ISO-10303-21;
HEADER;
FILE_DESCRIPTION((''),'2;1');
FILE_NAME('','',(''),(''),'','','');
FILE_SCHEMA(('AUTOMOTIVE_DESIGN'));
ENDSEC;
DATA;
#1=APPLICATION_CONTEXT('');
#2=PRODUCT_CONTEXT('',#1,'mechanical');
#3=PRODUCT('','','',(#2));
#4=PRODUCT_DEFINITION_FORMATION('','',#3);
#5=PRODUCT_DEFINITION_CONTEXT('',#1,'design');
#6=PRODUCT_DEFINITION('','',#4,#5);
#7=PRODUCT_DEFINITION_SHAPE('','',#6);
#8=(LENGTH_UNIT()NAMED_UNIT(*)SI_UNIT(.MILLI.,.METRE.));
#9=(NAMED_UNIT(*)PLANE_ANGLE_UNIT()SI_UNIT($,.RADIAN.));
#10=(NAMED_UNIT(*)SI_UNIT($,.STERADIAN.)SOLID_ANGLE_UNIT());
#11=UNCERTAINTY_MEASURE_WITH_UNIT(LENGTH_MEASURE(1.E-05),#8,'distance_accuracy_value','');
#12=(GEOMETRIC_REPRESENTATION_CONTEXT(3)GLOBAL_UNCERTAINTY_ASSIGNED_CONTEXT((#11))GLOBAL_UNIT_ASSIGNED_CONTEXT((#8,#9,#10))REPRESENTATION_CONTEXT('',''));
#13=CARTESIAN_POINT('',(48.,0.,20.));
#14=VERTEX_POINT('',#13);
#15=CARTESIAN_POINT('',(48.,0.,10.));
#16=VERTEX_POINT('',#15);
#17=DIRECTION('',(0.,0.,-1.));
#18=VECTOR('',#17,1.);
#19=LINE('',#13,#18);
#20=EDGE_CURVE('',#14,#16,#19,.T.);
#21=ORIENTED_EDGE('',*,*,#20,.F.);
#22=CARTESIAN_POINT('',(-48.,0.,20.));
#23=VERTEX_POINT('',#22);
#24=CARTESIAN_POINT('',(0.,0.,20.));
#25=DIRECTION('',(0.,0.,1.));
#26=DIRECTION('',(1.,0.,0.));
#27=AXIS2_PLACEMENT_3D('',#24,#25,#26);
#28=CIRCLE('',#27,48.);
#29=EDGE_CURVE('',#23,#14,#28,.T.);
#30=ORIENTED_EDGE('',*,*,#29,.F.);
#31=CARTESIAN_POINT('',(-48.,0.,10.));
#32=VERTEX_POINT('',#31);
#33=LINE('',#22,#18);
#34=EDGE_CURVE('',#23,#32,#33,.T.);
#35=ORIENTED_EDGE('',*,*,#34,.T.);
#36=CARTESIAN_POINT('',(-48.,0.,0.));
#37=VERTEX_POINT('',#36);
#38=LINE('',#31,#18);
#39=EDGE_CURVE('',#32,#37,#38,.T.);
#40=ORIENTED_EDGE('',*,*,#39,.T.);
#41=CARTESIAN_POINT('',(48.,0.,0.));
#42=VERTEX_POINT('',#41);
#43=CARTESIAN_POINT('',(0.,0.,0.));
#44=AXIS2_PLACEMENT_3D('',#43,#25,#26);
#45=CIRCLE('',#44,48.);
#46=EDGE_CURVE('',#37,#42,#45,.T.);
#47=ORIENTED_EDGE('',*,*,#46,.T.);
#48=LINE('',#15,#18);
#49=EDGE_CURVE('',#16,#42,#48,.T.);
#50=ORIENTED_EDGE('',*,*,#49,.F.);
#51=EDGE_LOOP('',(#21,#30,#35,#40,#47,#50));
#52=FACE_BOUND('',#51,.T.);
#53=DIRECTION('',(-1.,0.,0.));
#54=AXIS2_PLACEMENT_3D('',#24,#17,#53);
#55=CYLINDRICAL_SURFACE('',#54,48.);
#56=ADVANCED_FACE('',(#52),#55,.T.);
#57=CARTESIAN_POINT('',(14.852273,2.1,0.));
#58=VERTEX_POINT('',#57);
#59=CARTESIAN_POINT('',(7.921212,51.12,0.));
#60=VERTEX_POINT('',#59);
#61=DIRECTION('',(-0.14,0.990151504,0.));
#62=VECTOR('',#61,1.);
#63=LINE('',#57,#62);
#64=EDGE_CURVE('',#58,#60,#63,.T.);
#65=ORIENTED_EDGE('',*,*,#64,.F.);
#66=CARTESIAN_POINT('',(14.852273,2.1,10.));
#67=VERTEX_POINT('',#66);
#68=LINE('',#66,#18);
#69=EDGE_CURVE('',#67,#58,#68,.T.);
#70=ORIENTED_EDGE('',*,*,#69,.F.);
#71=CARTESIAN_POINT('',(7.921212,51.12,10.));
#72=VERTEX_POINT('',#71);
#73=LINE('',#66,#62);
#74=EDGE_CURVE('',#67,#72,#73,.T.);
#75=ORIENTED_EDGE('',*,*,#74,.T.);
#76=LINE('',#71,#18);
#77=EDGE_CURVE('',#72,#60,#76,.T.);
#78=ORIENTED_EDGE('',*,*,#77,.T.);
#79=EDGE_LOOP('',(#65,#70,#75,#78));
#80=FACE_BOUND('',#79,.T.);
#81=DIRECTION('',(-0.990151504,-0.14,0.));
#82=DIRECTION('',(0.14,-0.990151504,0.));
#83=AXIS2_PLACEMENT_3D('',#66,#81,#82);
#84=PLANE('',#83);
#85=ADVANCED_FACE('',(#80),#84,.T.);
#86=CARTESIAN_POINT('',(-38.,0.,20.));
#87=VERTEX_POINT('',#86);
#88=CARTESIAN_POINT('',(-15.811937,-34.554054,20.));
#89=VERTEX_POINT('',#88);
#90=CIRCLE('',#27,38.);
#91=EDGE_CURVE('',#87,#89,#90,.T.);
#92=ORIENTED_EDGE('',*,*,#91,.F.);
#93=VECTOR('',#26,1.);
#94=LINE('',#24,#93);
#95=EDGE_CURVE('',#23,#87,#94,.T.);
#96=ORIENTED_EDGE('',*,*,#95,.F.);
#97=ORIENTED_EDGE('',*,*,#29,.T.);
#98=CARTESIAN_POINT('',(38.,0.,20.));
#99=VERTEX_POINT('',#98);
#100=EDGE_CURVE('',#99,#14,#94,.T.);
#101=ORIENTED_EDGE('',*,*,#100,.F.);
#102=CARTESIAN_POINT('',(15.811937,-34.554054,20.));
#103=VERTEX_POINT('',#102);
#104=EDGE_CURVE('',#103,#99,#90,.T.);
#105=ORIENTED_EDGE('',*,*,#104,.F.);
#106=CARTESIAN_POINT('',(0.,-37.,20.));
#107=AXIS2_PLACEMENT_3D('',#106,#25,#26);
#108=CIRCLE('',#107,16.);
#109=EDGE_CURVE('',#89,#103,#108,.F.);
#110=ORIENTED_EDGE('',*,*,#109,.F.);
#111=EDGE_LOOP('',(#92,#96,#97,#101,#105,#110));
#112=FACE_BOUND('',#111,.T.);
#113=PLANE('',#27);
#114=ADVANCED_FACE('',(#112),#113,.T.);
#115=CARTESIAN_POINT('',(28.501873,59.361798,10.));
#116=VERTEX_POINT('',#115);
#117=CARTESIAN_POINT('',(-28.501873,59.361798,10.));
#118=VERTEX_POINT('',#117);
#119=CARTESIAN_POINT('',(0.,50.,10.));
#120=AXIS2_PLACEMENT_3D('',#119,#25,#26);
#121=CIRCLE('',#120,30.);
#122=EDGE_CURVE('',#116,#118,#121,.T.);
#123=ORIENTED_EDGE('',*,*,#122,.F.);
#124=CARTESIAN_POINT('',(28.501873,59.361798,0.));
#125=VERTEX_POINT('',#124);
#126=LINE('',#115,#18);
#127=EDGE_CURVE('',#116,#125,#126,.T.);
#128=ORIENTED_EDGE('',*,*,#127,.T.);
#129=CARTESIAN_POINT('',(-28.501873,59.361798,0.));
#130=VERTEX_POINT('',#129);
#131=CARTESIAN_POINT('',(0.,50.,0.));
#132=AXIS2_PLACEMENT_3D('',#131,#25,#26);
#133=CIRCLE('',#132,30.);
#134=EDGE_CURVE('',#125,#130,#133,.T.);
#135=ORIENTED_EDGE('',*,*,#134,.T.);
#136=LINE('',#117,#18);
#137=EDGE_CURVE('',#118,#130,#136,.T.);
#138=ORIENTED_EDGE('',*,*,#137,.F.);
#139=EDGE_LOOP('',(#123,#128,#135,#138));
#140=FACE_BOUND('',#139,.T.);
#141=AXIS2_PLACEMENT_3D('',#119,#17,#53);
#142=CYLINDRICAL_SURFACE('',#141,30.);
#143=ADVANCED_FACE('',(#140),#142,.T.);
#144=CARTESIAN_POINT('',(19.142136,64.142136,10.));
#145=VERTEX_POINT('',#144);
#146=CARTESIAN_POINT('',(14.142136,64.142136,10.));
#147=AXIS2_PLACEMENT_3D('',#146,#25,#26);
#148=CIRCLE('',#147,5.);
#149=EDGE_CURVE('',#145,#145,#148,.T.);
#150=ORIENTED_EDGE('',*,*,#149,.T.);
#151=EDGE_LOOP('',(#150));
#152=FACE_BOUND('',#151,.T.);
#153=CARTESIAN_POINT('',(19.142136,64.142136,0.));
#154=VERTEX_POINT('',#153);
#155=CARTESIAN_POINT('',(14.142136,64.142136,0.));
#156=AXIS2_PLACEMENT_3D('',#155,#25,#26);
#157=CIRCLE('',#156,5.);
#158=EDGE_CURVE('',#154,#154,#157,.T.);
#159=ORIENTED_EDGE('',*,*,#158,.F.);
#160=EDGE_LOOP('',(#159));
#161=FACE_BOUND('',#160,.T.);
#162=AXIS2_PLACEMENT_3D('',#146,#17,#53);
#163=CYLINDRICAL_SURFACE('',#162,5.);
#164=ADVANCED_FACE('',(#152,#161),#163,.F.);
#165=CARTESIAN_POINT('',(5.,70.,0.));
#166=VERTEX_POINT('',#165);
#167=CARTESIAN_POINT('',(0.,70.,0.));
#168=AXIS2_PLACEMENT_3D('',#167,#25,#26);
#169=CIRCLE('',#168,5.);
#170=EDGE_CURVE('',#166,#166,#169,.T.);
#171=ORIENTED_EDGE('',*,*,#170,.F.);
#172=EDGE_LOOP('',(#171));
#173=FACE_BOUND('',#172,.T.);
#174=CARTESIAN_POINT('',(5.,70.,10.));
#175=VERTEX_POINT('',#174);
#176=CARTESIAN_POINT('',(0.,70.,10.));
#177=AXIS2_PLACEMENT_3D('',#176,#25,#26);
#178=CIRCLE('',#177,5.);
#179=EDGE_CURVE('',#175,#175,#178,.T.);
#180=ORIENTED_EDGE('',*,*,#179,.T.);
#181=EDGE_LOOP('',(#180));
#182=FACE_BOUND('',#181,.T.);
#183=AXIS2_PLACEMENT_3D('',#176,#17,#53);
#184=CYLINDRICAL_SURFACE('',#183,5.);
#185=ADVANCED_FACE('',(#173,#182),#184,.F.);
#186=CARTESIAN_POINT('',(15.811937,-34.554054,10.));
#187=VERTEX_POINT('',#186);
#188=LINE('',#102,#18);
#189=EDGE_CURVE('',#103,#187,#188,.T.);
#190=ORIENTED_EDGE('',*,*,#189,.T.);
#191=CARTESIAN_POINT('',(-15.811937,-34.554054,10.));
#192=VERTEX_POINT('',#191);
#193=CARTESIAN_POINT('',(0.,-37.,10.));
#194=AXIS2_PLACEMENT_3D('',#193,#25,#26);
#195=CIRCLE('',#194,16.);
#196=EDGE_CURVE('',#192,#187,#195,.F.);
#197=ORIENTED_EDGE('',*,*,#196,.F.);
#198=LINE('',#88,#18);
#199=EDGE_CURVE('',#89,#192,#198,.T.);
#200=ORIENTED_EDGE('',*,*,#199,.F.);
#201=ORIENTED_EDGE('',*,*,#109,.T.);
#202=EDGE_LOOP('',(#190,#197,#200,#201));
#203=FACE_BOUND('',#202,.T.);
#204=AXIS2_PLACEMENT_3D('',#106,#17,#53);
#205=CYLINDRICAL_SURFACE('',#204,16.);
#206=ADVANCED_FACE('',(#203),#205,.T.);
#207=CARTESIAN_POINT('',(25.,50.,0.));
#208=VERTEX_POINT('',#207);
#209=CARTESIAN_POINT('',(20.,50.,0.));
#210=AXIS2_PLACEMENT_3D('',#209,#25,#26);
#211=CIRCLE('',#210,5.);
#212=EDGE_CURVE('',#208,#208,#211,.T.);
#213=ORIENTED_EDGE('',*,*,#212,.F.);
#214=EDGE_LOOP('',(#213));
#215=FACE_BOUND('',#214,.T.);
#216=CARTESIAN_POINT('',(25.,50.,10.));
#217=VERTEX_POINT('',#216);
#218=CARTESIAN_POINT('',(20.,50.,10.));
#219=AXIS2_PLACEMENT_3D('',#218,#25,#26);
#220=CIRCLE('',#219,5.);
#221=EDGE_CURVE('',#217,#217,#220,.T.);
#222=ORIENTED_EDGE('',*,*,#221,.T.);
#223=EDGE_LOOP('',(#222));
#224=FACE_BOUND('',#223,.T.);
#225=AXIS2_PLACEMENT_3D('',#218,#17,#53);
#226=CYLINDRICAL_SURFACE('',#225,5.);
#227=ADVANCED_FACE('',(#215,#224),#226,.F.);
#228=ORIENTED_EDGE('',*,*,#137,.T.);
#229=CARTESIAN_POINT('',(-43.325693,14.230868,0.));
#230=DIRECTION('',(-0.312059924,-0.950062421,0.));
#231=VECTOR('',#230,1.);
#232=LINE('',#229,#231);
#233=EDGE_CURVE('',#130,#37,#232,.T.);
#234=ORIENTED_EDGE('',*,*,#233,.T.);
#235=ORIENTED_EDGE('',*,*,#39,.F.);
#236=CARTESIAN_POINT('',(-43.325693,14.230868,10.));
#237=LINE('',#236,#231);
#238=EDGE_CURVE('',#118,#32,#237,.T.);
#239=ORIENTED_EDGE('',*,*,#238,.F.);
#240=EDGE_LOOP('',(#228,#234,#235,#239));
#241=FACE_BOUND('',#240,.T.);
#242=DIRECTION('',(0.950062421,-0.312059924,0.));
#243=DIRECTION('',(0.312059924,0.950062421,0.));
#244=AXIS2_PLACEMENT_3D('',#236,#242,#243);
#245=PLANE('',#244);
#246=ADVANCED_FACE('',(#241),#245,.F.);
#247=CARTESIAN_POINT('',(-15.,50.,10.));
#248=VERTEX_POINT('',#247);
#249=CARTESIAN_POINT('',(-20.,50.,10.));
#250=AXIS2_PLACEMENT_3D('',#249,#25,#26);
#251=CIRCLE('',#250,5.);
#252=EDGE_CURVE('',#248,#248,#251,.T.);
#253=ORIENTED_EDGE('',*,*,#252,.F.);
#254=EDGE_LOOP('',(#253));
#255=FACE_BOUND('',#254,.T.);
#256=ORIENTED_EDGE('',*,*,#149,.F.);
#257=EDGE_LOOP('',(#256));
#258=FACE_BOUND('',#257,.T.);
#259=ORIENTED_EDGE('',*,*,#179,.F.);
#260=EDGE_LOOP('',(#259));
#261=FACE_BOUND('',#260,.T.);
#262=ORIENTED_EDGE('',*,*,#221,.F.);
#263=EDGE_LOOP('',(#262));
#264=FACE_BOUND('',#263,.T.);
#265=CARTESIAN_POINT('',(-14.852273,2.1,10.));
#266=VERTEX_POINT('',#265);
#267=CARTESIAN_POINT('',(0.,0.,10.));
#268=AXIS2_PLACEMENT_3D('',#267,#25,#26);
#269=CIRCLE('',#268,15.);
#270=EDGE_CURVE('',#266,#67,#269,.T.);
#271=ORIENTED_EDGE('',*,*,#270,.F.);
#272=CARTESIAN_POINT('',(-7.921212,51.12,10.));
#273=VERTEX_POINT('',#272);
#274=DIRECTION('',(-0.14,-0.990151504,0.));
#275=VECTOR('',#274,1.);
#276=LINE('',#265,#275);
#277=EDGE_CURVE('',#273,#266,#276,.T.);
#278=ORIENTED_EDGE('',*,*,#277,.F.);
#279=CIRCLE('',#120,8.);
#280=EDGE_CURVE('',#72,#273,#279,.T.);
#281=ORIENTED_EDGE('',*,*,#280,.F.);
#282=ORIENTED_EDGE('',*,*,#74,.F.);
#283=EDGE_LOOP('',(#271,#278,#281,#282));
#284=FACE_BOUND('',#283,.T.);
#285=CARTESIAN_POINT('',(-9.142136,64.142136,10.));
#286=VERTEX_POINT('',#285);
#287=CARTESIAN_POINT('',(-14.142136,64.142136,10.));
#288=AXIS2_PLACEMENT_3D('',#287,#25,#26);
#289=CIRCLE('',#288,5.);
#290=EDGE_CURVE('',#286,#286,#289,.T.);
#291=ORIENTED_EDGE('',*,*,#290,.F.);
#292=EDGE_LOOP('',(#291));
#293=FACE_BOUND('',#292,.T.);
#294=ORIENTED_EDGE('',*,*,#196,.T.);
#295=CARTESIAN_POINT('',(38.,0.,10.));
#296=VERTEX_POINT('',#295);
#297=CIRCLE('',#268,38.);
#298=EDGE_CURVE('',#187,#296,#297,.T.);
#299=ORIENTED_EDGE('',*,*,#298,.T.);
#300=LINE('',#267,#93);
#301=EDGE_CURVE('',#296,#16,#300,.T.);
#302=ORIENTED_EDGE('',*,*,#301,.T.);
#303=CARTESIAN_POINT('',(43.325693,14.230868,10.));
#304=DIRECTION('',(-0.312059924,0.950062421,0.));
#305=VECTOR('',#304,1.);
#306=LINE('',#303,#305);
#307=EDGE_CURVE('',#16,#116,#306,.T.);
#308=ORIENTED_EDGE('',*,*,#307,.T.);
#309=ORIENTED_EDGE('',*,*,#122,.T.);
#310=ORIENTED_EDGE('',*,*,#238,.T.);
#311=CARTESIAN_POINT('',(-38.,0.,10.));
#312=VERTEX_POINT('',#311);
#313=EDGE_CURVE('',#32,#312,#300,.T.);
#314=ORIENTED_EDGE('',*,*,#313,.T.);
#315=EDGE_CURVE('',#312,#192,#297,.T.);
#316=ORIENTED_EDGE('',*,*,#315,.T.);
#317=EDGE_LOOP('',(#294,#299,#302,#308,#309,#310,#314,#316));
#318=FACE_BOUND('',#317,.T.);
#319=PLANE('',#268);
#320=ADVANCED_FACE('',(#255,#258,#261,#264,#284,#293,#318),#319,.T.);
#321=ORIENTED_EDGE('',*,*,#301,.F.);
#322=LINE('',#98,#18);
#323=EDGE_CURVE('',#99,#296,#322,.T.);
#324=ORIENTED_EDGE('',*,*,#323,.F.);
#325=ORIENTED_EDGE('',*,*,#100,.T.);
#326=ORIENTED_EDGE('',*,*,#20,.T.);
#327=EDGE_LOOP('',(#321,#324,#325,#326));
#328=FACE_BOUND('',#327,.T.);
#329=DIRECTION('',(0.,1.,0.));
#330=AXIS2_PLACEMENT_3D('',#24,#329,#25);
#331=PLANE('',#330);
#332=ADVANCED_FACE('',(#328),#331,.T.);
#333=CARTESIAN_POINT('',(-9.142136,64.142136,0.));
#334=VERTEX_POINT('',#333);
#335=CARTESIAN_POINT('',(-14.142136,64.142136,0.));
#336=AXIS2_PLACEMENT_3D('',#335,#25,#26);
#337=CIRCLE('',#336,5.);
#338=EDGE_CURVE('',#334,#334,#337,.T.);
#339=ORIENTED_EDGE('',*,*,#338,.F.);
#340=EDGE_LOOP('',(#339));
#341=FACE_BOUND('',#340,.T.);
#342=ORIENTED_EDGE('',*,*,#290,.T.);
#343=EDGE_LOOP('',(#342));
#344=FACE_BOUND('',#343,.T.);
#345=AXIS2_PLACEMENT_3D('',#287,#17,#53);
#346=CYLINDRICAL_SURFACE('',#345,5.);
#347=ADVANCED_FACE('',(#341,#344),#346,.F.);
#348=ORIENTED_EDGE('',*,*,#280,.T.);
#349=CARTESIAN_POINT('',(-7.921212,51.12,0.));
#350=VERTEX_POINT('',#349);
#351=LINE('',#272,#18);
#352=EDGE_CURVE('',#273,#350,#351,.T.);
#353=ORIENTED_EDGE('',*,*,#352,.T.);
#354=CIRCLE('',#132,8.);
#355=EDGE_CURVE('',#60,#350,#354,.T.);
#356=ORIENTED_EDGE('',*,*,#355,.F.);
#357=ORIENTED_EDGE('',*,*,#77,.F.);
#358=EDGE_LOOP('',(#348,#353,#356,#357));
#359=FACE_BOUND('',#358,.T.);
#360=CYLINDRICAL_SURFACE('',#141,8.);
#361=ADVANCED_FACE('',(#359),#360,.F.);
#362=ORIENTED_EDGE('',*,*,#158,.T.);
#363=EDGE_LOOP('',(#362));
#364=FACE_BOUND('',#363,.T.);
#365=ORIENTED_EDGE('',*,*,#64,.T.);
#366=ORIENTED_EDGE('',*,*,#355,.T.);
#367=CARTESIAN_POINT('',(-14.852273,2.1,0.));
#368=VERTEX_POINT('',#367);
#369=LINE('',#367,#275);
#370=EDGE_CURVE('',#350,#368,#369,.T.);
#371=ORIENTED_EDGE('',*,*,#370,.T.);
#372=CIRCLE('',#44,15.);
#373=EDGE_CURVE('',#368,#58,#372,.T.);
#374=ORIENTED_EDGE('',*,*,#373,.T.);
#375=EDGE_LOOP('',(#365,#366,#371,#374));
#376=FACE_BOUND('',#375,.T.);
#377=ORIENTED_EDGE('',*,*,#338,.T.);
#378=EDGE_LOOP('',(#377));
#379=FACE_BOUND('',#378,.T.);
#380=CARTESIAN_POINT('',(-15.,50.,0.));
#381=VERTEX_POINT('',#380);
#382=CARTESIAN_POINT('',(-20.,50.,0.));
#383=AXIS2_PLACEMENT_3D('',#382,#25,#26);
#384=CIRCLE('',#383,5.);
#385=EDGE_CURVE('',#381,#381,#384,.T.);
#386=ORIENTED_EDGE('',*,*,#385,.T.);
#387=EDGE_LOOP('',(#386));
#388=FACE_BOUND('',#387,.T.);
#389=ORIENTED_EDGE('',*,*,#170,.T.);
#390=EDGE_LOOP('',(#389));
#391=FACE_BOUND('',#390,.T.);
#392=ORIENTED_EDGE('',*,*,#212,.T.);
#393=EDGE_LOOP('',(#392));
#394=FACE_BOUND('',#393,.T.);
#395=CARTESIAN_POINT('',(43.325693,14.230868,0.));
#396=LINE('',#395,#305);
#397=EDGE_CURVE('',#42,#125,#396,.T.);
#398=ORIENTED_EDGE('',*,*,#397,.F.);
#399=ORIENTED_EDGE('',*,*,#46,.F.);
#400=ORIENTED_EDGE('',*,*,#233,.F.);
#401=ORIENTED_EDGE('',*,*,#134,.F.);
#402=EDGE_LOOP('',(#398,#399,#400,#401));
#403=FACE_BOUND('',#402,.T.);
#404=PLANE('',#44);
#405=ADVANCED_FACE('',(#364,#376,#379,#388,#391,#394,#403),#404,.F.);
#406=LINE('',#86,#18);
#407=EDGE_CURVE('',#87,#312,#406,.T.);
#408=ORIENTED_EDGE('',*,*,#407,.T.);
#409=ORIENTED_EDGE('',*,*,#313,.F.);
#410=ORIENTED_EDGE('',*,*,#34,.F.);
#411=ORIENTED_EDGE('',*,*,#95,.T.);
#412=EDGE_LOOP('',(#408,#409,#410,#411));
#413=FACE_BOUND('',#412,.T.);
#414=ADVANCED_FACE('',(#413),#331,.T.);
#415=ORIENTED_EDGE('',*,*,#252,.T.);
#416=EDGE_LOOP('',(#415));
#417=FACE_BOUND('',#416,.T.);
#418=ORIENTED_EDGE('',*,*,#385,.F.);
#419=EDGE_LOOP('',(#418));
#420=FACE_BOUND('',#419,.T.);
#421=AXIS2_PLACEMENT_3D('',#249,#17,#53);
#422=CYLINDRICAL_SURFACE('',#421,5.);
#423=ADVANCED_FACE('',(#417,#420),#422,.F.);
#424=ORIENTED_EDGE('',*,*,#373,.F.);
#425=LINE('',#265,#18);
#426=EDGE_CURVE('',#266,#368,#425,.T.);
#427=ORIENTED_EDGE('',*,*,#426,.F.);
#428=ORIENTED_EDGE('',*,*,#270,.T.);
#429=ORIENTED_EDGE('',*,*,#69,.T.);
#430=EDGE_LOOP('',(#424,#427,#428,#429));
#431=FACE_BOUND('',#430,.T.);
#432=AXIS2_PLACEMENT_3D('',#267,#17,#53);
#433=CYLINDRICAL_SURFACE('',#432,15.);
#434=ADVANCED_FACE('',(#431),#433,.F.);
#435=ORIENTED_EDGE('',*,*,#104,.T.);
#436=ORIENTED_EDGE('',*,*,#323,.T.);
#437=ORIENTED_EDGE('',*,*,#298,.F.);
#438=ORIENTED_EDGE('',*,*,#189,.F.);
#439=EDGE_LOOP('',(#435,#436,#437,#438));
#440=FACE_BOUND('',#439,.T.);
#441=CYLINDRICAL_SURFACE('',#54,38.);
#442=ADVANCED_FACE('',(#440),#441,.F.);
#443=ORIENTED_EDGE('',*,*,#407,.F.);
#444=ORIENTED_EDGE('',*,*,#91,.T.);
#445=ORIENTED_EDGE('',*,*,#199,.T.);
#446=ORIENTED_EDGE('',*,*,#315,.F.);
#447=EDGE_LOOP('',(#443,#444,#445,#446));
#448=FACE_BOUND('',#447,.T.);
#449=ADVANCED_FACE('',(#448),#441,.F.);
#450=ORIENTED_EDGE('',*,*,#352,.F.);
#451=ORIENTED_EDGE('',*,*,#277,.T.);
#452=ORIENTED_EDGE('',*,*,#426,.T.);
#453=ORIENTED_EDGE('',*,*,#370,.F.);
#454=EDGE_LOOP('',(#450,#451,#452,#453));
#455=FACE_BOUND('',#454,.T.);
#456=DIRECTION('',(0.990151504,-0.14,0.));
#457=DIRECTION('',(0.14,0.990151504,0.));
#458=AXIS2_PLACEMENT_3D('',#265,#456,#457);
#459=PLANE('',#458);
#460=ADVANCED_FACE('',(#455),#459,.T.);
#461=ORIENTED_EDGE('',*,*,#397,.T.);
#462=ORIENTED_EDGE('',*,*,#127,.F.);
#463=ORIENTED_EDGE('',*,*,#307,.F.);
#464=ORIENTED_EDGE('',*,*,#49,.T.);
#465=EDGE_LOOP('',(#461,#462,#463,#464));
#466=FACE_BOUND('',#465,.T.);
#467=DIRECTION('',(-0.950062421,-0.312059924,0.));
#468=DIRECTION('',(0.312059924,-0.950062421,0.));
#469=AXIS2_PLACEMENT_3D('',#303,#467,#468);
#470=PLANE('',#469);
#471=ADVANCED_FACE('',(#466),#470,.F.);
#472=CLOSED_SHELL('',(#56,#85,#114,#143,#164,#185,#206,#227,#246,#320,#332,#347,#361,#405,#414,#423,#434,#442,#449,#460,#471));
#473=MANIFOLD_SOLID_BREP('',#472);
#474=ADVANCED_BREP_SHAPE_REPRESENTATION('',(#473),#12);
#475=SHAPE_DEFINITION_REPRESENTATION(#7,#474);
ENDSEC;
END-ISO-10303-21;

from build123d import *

# Parameters (mm, degrees)
SKETCH1_R           = 5
BOSS_EXTRUDE1_DEPTH = 10
BOSS_EXTRUDE2_DEPTH = 20


with BuildPart() as part:
    # Sketch1 → Boss-Extrude1 (new body)
    with BuildSketch(Plane.XY):
        with BuildLine():
            Line((38, 0), (48, 0))
            Line((48, 0), (28.501872629, 59.361797724))
            ThreePointArc((28.501872629, 59.361797724), (0, 80), (-28.501872629, 59.361797724))
            Line((-28.501872629, 59.361797724), (-48, 0))
            Line((-48, 0), (-38, 0))
            ThreePointArc((-38, 0), (-31.975409318, -20.532247781), (-15.811936897, -34.554054054))
            ThreePointArc((-15.811936897, -34.554054054), (0, -21), (15.811936897, -34.554054054))
            ThreePointArc((15.811936897, -34.554054054), (31.975409318, -20.532247781), (38, 0))
        make_face()
        with Locations((-20, 50)):
            Circle(SKETCH1_R, mode=Mode.SUBTRACT)
        with Locations((-14.142135624, 64.142135624)):
            Circle(SKETCH1_R, mode=Mode.SUBTRACT)
        with BuildLine():
            Line((7.921212028, 51.12), (14.852272553, 2.1))
            ThreePointArc((14.852272553, 2.1), (0, -15), (-14.852272553, 2.1))
            Line((-14.852272553, 2.1), (-7.921212028, 51.12))
            ThreePointArc((-7.921212028, 51.12), (0, 58), (7.921212028, 51.12))
        make_face(mode=Mode.SUBTRACT)
        with Locations((20, 50)):
            Circle(SKETCH1_R, mode=Mode.SUBTRACT)
        with Locations((0, 70)):
            Circle(SKETCH1_R, mode=Mode.SUBTRACT)
        with Locations((14.142135624, 64.142135624)):
            Circle(SKETCH1_R, mode=Mode.SUBTRACT)
    extrude(amount=BOSS_EXTRUDE1_DEPTH)

    # Sketch1<3> → Boss-Extrude2 (add)
    with BuildSketch(Plane.XY):
        with BuildLine():
            ThreePointArc((-48, 0), (0, -48), (48, 0))
            Line((48, 0), (38, 0))
            ThreePointArc((38, 0), (31.975409318, -20.532247781), (15.811936897, -34.554054054))
            ThreePointArc((15.811936897, -34.554054054), (0, -21), (-15.811936897, -34.554054054))
            ThreePointArc((-15.811936897, -34.554054054), (-31.975409318, -20.532247781), (-38, 0))
            Line((-38, 0), (-48, 0))
        make_face()
    extrude(amount=BOSS_EXTRUDE2_DEPTH)


solid = part.part
